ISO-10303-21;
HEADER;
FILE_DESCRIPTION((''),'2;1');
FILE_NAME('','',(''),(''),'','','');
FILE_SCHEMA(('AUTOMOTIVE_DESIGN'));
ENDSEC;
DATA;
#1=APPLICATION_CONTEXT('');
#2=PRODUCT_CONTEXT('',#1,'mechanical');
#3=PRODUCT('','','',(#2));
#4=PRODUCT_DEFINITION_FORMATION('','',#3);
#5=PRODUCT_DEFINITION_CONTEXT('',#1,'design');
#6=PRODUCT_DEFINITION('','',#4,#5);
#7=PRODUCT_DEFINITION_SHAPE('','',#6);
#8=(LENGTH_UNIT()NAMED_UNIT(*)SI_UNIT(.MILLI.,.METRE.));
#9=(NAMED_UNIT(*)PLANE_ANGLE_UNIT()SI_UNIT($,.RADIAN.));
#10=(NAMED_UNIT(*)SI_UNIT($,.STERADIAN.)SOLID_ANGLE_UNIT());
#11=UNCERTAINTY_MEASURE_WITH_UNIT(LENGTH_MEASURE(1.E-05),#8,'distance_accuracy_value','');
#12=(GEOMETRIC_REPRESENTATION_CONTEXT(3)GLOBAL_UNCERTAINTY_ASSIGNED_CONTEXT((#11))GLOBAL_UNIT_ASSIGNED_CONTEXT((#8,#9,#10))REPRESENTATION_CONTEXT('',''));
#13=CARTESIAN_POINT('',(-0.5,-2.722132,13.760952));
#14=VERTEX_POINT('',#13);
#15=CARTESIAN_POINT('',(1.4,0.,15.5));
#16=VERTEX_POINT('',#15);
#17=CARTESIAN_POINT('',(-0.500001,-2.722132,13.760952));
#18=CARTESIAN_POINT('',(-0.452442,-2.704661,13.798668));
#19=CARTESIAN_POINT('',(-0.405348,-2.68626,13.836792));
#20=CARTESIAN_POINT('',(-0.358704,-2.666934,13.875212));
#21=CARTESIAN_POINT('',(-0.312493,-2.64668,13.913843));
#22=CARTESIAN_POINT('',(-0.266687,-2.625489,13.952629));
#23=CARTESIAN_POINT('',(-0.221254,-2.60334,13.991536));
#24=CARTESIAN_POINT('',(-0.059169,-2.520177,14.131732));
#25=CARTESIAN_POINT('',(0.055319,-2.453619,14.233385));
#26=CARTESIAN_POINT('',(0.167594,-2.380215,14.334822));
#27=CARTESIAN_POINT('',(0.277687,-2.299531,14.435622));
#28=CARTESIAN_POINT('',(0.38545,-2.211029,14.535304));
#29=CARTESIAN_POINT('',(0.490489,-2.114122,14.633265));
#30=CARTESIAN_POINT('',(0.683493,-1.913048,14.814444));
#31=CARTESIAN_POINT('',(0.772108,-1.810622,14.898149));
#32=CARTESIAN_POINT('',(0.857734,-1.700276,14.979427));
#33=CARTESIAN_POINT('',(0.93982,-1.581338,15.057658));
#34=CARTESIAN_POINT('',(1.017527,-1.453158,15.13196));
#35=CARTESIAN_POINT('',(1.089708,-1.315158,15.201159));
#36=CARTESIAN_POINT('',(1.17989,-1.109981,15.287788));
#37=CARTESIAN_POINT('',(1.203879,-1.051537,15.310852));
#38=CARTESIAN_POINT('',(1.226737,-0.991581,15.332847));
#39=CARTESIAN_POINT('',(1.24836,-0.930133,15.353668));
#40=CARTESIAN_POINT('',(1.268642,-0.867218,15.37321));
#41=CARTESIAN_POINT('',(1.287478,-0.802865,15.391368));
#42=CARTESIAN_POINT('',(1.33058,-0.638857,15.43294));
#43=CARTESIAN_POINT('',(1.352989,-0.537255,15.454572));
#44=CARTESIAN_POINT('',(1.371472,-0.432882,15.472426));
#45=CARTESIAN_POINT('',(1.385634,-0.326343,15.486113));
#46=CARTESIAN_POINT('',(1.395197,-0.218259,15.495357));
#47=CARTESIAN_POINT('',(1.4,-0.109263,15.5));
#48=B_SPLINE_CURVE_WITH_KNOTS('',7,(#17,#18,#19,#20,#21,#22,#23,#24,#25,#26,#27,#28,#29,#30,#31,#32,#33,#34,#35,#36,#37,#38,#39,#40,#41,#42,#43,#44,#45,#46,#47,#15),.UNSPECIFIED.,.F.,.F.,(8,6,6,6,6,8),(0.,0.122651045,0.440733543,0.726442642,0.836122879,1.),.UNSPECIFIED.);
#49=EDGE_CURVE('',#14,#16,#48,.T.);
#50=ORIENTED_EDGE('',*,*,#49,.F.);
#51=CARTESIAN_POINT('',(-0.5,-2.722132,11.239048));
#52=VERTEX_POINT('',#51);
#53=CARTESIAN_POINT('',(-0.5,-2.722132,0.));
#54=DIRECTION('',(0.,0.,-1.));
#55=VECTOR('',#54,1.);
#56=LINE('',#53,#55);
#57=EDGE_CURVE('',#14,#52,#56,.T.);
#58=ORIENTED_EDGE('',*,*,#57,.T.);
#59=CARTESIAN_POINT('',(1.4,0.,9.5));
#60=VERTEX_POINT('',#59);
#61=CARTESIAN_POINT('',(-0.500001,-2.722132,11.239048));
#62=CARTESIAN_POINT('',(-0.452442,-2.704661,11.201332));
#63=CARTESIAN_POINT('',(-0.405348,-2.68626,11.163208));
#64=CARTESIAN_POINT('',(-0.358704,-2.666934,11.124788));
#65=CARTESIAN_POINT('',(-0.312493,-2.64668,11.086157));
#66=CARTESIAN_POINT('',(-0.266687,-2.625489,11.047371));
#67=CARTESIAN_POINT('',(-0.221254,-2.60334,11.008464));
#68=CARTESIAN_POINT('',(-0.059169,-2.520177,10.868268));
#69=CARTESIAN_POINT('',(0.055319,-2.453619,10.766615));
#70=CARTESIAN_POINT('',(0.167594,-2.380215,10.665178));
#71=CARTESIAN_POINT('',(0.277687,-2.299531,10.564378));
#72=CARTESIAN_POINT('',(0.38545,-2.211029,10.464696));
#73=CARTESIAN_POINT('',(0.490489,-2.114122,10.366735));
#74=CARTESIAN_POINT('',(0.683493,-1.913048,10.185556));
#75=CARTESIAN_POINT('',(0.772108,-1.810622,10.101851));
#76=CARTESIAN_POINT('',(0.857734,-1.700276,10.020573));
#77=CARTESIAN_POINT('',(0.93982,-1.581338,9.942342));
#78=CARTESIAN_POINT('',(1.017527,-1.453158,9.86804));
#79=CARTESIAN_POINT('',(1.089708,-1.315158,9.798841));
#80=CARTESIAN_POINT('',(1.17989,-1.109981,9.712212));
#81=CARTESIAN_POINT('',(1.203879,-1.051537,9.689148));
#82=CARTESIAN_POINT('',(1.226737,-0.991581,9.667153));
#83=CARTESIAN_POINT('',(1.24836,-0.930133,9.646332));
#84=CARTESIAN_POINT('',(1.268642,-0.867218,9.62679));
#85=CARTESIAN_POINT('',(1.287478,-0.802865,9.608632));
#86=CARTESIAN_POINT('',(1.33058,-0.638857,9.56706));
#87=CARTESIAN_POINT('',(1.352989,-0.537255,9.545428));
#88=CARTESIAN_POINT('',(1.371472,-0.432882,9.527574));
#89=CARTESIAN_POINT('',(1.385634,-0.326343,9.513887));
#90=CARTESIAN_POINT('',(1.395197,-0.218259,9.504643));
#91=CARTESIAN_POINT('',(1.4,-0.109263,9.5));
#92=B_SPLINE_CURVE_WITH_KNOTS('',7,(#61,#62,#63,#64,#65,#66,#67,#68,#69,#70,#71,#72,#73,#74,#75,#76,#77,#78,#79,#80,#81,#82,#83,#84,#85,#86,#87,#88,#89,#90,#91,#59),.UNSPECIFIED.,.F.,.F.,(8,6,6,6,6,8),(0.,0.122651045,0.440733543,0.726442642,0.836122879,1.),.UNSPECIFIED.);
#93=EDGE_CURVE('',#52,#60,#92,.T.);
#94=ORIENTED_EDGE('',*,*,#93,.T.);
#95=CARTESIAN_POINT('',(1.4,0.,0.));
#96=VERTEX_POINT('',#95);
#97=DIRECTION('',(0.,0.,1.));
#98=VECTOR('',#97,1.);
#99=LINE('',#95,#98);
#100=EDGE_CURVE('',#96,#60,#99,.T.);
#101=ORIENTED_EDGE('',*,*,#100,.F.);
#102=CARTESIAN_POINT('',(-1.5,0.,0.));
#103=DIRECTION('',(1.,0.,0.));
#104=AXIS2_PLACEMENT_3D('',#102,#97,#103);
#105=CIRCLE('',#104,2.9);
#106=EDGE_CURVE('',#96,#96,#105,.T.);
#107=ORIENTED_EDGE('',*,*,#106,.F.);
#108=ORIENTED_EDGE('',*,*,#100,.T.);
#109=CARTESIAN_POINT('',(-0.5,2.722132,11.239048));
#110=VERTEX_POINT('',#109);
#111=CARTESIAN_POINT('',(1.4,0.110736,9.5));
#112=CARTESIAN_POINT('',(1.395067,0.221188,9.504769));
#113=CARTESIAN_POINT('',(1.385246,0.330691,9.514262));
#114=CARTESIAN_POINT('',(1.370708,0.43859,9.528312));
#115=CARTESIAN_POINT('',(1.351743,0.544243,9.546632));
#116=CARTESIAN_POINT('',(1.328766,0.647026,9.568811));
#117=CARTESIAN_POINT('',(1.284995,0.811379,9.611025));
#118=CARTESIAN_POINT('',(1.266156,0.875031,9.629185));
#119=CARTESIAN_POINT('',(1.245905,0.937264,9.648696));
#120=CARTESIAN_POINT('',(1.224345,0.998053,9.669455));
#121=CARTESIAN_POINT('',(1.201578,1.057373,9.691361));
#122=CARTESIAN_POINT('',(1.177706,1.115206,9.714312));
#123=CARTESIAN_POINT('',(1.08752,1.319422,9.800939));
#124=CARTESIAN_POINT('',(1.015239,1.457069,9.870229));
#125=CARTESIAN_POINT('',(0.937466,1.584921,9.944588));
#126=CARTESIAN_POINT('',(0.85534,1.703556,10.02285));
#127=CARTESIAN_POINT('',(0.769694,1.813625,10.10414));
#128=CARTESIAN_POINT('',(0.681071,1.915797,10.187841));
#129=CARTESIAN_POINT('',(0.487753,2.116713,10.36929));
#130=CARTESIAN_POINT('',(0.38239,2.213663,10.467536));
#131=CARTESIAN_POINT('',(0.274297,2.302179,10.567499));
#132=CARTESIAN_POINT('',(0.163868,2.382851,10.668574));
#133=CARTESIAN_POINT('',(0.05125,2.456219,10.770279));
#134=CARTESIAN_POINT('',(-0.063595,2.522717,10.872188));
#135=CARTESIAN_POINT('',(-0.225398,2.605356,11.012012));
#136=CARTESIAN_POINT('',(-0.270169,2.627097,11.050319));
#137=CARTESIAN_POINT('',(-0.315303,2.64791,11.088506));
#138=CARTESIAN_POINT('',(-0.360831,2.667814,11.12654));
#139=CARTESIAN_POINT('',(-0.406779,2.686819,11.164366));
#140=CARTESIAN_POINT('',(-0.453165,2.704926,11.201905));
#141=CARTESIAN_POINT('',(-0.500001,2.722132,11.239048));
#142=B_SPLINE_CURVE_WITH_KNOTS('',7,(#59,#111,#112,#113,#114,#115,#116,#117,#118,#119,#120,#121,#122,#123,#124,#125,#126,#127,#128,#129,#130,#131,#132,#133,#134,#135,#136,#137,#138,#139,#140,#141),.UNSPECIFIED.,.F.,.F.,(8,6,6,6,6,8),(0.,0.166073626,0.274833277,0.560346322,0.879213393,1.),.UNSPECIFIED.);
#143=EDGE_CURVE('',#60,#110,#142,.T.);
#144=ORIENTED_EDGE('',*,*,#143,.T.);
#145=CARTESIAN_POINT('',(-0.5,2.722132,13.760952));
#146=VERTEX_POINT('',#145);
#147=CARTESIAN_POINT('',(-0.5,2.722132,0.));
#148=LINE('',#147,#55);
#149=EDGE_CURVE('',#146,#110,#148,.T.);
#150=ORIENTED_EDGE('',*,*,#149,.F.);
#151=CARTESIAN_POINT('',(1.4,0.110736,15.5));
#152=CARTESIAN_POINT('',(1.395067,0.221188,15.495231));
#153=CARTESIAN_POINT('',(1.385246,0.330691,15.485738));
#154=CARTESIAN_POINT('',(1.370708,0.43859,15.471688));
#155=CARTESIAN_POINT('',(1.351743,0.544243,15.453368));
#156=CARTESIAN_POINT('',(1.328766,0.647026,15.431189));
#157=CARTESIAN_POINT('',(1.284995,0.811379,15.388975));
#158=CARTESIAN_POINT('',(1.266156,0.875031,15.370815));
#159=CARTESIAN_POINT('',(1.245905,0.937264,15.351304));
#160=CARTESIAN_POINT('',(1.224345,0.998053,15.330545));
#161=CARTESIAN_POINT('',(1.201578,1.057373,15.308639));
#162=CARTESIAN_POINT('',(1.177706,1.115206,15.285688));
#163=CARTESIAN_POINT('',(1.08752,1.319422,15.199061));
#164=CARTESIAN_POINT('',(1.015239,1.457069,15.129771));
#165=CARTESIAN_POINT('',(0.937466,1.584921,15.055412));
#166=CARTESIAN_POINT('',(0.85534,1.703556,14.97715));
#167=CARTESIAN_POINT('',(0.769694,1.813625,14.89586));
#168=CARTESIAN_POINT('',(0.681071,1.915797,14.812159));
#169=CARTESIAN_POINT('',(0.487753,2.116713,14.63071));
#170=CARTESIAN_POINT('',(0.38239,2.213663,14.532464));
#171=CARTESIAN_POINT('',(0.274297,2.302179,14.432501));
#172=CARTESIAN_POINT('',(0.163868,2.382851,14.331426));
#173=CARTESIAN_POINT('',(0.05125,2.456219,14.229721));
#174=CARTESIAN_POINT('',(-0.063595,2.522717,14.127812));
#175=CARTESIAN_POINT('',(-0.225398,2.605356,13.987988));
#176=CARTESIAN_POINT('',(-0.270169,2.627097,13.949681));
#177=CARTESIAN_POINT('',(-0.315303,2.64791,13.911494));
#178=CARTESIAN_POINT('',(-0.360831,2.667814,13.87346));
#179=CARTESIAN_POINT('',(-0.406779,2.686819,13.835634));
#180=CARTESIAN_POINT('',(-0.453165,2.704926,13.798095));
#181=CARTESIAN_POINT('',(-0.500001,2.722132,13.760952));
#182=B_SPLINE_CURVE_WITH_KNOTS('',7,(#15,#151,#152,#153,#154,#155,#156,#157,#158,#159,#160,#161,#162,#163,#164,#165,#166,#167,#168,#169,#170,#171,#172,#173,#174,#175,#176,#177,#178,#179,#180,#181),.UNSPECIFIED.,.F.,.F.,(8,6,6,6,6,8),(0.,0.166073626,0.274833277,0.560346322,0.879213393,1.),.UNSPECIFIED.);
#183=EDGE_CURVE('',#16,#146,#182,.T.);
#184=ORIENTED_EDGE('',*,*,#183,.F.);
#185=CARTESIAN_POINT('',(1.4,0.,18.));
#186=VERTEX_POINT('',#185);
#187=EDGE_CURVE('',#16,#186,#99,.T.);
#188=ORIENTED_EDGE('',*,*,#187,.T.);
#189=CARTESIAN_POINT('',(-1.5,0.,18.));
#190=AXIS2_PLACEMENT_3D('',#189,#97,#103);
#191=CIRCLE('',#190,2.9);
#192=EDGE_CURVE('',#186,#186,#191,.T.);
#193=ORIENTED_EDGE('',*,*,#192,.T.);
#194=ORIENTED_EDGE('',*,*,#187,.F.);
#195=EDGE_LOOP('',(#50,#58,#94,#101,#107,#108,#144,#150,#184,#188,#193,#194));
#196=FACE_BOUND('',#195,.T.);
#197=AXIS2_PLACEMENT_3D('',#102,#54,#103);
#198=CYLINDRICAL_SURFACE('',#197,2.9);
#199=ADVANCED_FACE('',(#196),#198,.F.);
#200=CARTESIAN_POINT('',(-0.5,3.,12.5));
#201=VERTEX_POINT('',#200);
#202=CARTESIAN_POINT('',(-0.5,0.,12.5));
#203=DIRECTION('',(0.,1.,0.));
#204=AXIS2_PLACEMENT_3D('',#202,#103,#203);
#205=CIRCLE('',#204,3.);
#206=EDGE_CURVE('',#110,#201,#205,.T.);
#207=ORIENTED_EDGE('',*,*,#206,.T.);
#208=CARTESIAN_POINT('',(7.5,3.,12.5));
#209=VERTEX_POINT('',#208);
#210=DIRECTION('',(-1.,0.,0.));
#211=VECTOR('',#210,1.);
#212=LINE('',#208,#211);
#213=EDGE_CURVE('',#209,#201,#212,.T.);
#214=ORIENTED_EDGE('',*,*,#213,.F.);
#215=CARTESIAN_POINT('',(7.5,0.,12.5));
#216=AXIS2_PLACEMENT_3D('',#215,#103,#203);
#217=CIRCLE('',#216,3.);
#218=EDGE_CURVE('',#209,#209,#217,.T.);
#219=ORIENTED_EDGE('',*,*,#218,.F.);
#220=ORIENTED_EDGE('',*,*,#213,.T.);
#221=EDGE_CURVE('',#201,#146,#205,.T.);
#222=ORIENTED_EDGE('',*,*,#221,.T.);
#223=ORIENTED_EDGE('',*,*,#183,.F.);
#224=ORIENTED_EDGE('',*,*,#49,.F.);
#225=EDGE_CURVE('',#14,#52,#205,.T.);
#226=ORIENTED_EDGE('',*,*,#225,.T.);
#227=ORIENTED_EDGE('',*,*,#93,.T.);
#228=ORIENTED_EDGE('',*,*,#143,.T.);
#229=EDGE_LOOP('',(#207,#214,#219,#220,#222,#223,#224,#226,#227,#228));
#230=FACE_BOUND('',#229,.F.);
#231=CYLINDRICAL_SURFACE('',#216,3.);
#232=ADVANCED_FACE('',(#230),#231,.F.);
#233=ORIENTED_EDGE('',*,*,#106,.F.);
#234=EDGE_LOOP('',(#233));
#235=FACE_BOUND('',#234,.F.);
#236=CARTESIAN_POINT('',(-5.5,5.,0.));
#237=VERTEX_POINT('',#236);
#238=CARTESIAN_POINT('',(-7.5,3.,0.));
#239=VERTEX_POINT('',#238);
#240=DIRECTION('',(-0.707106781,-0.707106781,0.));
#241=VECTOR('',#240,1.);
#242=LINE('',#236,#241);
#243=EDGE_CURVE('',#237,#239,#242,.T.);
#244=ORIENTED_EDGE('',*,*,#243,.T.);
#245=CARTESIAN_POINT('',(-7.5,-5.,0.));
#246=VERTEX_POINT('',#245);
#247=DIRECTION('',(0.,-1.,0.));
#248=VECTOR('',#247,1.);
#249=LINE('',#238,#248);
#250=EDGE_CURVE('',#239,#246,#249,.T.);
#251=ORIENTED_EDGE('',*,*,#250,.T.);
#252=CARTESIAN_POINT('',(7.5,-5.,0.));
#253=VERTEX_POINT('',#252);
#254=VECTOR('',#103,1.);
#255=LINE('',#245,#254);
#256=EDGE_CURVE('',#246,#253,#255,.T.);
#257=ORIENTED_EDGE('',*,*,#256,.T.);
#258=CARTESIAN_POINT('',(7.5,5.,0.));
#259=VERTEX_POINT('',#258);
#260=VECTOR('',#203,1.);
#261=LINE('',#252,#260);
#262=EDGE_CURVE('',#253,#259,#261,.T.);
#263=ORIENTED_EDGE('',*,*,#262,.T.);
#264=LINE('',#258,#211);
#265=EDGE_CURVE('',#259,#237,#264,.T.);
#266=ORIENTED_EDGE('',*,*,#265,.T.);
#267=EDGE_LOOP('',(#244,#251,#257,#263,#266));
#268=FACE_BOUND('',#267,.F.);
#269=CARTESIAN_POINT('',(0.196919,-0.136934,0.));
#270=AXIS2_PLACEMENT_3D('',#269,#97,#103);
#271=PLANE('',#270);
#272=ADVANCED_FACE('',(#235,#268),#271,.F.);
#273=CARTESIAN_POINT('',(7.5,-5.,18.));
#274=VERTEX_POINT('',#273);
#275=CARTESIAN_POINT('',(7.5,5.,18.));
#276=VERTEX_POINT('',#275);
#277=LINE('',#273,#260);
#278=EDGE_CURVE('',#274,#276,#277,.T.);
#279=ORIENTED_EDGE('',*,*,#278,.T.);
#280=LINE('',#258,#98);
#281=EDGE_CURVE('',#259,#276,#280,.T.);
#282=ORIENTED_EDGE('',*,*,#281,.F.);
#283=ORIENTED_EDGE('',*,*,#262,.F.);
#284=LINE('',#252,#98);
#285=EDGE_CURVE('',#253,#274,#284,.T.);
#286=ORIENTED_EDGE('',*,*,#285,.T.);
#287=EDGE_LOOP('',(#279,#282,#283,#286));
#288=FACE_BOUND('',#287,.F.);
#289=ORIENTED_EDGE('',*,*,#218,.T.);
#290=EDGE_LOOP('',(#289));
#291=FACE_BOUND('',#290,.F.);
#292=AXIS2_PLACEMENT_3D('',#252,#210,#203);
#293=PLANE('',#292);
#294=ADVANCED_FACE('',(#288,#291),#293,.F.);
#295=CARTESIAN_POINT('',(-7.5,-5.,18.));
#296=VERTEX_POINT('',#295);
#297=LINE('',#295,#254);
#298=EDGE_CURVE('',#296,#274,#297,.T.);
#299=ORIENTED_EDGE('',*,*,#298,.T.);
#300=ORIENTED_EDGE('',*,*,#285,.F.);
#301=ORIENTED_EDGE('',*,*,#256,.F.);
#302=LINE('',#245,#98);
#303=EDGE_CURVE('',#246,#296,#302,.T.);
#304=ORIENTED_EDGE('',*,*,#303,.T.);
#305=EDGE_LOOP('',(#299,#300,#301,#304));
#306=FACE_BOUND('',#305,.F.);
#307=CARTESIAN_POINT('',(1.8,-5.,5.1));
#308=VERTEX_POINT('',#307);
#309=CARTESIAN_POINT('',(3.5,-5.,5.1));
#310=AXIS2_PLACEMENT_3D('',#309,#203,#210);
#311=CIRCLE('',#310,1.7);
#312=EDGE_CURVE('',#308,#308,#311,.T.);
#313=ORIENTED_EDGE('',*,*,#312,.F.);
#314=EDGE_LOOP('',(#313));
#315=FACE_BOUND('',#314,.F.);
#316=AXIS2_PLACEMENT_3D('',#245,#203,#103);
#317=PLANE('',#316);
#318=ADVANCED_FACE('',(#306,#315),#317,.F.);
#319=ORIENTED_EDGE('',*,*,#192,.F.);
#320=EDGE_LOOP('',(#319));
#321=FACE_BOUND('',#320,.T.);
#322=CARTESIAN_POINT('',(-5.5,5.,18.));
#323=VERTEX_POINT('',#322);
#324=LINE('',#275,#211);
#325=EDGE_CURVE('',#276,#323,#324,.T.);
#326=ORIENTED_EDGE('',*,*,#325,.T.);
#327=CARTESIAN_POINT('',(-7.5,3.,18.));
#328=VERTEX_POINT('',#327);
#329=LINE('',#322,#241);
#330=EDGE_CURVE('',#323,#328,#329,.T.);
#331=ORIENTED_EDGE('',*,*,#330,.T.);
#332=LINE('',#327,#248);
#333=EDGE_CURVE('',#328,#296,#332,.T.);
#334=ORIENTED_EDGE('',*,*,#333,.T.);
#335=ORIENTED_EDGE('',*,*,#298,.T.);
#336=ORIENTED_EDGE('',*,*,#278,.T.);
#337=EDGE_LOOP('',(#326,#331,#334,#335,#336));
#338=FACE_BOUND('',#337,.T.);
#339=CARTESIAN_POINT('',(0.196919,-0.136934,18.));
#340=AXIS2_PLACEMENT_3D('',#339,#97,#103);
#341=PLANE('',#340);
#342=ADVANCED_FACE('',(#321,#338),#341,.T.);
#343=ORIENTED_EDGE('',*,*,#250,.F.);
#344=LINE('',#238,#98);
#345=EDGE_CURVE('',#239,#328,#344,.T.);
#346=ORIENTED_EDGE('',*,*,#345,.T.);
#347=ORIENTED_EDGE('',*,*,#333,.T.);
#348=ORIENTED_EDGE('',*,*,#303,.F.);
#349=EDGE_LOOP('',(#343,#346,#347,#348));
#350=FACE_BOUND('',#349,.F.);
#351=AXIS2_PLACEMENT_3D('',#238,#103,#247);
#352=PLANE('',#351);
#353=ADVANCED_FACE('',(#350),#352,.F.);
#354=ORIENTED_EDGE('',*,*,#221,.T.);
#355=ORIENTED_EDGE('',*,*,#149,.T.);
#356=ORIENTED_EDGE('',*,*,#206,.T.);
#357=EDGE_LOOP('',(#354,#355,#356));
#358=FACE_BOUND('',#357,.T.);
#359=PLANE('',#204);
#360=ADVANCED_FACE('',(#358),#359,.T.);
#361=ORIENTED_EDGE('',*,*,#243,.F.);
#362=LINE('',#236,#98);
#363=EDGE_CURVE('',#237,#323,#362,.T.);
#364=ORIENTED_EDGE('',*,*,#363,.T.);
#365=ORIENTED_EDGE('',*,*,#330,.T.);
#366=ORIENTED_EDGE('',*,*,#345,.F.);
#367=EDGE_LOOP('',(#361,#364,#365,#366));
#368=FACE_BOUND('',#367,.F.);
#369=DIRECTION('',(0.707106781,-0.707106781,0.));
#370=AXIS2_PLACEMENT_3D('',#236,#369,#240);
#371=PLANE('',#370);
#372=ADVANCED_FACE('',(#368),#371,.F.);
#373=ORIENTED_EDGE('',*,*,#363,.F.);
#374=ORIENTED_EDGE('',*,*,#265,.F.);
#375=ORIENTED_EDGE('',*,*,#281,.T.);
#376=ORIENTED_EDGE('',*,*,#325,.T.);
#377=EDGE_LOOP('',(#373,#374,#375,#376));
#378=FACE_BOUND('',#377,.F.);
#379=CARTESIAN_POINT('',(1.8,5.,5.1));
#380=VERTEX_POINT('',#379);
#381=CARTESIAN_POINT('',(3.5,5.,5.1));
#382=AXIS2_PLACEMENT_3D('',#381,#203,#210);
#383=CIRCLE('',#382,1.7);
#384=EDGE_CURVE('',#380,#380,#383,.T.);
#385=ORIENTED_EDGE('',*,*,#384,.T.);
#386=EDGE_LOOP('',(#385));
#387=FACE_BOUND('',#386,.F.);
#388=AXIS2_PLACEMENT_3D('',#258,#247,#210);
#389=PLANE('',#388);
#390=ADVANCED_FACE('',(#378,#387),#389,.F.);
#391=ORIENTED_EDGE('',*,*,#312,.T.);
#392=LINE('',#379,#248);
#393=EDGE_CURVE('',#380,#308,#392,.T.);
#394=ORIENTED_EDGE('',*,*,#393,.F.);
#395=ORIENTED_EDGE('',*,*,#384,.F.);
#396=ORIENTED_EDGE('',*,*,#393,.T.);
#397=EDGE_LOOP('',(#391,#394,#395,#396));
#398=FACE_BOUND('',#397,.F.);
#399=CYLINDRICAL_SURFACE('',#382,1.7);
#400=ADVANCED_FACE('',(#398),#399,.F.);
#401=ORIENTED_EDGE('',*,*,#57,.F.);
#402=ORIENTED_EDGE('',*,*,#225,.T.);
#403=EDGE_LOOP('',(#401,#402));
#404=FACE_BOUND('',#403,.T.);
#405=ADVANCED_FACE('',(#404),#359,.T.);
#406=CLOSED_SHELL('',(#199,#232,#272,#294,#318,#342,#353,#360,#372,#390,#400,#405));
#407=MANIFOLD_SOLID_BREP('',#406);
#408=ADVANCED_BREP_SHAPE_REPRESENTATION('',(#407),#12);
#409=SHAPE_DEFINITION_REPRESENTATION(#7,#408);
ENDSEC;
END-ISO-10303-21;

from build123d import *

# Parameters (mm, degrees)
F0_R     = 2.9
F1_DEPTH = 18
F3_R     = 1.7
F4_DEPTH = 10.001
F2_R     = 3
F5_DEPTH = 8


with BuildPart() as f1:
    # F0 (on Top) → F1 (new body)
    with BuildSketch(Plane.XY):
        Polygon((7.5, -5), (7.5, 5), (-5.5, 5), (-7.5, 3), (-7.5, -5), align=None)
        with Locations((-1.5, 0)):
            Circle(F0_R, mode=Mode.SUBTRACT)
    extrude(amount=F1_DEPTH)

    # F3 (on face) → F4 (cut, through all)
    with BuildSketch(Plane(origin=(0, 5, 0), x_dir=(-1, 0, 0), z_dir=(0, 1, 0))):
        with Locations((-3.5, 5.1)):
            Circle(F3_R)
    extrude(amount=-F4_DEPTH, mode=Mode.SUBTRACT)

    # F2 (on face) → F5 (cut)
    with BuildSketch(Plane.YZ.offset(7.5)):
        with Locations((0, 12.5)):
            Circle(F2_R)
    extrude(amount=-F5_DEPTH, mode=Mode.SUBTRACT)


solid = f1.part
